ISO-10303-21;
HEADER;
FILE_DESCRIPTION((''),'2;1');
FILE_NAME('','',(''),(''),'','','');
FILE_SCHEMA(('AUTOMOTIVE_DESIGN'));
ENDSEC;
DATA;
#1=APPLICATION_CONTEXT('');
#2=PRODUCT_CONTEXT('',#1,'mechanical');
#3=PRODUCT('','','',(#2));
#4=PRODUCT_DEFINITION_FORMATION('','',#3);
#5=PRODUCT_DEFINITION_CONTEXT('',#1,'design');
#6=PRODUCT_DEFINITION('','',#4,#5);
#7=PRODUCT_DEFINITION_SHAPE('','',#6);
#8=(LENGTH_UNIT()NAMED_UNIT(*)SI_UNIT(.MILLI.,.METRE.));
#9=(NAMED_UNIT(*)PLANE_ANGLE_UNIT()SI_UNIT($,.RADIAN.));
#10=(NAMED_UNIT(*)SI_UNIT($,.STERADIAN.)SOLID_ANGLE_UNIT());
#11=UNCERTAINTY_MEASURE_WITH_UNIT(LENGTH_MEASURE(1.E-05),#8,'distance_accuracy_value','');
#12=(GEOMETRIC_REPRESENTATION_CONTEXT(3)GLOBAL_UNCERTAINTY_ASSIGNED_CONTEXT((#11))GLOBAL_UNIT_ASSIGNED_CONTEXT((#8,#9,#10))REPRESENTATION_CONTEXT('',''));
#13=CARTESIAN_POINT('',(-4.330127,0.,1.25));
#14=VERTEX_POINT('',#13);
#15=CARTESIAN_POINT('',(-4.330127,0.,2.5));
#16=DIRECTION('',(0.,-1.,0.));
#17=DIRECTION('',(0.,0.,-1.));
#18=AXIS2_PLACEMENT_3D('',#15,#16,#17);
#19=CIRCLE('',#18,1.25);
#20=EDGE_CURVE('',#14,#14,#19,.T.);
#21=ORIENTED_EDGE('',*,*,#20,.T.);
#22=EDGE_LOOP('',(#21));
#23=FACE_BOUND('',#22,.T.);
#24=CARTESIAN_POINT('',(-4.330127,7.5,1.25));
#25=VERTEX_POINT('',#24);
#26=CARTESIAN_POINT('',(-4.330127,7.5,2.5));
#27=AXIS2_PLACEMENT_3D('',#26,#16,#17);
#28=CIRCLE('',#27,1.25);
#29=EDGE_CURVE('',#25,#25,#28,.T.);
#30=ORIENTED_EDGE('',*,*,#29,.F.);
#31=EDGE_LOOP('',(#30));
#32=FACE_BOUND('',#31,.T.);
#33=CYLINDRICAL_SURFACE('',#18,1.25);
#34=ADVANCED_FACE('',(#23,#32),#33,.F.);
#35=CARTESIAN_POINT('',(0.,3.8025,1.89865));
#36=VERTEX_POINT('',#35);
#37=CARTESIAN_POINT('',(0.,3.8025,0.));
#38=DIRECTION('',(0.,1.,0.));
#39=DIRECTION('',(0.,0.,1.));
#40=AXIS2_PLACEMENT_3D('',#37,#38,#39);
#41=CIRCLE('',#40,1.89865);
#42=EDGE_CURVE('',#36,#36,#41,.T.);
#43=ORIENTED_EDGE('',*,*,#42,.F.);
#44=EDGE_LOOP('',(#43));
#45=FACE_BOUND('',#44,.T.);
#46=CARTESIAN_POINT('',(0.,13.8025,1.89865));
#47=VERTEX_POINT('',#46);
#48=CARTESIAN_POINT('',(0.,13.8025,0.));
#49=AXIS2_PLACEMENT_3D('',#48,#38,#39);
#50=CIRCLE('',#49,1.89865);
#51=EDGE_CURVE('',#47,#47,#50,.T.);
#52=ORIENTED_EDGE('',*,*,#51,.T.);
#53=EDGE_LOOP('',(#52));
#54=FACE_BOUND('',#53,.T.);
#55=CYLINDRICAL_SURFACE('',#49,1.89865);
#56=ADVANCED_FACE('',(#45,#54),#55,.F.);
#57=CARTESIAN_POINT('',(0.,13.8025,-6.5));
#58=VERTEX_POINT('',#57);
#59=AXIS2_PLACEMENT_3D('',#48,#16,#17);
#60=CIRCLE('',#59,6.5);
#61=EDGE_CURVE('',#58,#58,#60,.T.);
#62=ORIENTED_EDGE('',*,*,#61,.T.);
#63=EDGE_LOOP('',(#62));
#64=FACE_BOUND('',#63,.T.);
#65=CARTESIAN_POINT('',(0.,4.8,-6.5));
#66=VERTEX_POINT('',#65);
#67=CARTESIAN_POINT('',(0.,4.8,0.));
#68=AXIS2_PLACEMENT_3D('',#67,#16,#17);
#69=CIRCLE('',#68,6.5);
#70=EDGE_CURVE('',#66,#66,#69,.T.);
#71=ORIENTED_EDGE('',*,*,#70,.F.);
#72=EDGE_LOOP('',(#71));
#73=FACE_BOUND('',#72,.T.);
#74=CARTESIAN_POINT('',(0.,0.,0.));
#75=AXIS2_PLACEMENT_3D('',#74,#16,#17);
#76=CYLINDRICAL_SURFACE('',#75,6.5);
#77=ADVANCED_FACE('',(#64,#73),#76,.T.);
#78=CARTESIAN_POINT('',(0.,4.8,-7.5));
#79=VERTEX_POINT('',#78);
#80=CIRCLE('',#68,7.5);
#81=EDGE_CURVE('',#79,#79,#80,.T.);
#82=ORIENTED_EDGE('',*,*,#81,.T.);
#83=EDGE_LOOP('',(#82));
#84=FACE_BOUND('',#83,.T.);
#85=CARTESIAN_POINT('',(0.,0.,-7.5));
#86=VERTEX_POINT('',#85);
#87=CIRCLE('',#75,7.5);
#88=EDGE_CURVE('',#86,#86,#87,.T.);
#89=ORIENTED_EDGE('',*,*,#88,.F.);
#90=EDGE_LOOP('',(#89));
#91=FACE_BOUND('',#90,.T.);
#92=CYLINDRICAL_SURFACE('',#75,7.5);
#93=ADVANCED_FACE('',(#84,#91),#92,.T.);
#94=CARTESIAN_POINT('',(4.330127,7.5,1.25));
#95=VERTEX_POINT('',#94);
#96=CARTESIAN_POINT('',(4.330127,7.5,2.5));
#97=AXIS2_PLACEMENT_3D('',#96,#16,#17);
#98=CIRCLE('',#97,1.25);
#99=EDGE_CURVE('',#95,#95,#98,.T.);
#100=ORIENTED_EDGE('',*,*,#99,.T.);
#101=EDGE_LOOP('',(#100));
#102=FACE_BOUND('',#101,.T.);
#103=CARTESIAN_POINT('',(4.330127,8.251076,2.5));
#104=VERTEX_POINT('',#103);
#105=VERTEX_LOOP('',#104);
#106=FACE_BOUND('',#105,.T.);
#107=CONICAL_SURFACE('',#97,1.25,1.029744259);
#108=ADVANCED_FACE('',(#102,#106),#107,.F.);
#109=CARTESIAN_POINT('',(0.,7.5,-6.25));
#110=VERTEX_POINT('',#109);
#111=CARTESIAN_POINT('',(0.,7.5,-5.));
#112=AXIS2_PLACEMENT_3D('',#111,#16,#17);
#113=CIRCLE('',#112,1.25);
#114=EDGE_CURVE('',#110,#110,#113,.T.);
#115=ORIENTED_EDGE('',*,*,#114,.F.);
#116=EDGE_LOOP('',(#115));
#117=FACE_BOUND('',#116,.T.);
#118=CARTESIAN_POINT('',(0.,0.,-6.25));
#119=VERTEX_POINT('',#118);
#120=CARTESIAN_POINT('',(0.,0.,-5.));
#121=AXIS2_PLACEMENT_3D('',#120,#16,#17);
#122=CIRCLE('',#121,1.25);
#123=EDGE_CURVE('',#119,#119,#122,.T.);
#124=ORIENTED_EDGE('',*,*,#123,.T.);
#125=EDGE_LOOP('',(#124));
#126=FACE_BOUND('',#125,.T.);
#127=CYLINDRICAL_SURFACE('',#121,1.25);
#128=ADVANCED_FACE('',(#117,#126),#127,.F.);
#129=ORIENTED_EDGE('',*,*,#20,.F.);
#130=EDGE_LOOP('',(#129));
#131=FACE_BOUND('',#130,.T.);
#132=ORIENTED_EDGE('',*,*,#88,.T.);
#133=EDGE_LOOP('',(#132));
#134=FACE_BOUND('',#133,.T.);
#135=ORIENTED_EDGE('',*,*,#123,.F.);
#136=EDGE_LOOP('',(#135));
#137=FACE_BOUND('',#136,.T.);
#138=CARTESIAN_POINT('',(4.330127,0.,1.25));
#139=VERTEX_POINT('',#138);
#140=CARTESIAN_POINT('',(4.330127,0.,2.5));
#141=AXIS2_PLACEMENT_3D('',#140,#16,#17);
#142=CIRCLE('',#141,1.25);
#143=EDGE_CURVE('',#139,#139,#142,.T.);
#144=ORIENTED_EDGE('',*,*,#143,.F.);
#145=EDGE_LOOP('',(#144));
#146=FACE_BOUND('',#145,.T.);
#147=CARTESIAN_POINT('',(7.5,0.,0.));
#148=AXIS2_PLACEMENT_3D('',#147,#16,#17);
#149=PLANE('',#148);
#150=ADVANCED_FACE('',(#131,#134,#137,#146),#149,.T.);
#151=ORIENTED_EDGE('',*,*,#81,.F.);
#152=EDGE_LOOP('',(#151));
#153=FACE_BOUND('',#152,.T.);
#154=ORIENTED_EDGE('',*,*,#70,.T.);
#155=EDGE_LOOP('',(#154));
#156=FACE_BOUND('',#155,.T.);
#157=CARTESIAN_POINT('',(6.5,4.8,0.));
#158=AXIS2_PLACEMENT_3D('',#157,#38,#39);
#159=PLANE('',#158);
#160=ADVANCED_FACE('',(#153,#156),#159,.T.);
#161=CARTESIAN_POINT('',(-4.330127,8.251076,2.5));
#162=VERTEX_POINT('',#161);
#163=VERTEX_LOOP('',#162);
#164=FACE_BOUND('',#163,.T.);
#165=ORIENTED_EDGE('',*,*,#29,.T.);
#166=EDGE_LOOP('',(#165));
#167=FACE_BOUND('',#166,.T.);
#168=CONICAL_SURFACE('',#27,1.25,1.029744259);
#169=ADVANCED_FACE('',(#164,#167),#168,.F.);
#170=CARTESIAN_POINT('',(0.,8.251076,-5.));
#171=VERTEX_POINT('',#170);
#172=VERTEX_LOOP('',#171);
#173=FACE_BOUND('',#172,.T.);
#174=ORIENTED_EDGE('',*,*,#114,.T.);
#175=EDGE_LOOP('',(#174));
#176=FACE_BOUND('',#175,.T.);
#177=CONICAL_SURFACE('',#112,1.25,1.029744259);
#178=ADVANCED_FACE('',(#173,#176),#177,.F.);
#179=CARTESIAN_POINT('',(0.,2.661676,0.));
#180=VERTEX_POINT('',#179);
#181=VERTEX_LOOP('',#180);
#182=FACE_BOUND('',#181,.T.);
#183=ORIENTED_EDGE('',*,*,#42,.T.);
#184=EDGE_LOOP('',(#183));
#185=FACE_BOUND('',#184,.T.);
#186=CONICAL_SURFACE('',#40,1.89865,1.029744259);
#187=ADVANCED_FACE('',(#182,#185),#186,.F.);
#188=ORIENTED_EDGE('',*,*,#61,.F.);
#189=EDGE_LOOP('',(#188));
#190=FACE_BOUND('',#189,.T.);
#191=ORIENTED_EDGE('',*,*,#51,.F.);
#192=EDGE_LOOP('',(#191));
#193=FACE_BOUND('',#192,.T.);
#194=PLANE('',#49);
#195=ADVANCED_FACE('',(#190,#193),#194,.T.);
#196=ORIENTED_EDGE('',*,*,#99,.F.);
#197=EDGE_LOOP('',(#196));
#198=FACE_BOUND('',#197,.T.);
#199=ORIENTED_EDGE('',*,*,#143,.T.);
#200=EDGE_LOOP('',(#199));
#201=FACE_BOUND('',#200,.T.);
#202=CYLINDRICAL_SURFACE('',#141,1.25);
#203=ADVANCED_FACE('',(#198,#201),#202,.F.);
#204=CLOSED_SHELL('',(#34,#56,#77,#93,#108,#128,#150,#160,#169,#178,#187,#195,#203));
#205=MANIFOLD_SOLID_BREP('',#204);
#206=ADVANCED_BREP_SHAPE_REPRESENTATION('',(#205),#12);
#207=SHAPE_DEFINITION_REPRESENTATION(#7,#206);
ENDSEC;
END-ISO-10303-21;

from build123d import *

# Parameters (mm, degrees)
M3X0_5_TAPPED_HOLE1_D      = 2.5
M3X0_5_TAPPED_HOLE1_DEPTH  = 7.5
M3X0_5_TAPPED_HOLE1_TIP    = 0.751075774
F_10_24_TAPPED_HOLE1_D     = 3.7973
F_10_24_TAPPED_HOLE1_DEPTH = 10
F_10_24_TAPPED_HOLE1_TIP   = 1.140824014


with BuildPart() as part:
    # Sketch1 → Revolve1 (revolve)
    with BuildSketch(Plane.XY):
        Polygon((0, 13.8025), (6.5, 13.8025), (6.5, 4.8), (7.5, 4.8), (7.5, 0), (0, 0), align=None)
    revolve(axis=Axis((0, 0, 0), (0, 1, 0)))

    # M3x0.5 Tapped Hole1
    with Locations(Plane(origin=(0, 0, 0), x_dir=(-1, 0, 0), z_dir=(0, -1, 0))):
        with Locations((0, 5), (4.330127019, -2.5), (-4.330127019, -2.5)):
            Hole(M3X0_5_TAPPED_HOLE1_D / 2, depth=M3X0_5_TAPPED_HOLE1_DEPTH)
            with Locations((0, 0, -(M3X0_5_TAPPED_HOLE1_DEPTH + M3X0_5_TAPPED_HOLE1_TIP / 2))):  # 118° drill point
                Cone(0, M3X0_5_TAPPED_HOLE1_D / 2, M3X0_5_TAPPED_HOLE1_TIP, mode=Mode.SUBTRACT)

    # #10-24 Tapped Hole1
    with Locations(Plane(origin=(0, 13.8025, 0), x_dir=(1, 0, 0), z_dir=(0, 1, 0))):
        with Locations((0, 0)):
            Hole(F_10_24_TAPPED_HOLE1_D / 2, depth=F_10_24_TAPPED_HOLE1_DEPTH)
            with Locations((0, 0, -(F_10_24_TAPPED_HOLE1_DEPTH + F_10_24_TAPPED_HOLE1_TIP / 2))):  # 118° drill point
                Cone(0, F_10_24_TAPPED_HOLE1_D / 2, F_10_24_TAPPED_HOLE1_TIP, mode=Mode.SUBTRACT)


solid = part.part
